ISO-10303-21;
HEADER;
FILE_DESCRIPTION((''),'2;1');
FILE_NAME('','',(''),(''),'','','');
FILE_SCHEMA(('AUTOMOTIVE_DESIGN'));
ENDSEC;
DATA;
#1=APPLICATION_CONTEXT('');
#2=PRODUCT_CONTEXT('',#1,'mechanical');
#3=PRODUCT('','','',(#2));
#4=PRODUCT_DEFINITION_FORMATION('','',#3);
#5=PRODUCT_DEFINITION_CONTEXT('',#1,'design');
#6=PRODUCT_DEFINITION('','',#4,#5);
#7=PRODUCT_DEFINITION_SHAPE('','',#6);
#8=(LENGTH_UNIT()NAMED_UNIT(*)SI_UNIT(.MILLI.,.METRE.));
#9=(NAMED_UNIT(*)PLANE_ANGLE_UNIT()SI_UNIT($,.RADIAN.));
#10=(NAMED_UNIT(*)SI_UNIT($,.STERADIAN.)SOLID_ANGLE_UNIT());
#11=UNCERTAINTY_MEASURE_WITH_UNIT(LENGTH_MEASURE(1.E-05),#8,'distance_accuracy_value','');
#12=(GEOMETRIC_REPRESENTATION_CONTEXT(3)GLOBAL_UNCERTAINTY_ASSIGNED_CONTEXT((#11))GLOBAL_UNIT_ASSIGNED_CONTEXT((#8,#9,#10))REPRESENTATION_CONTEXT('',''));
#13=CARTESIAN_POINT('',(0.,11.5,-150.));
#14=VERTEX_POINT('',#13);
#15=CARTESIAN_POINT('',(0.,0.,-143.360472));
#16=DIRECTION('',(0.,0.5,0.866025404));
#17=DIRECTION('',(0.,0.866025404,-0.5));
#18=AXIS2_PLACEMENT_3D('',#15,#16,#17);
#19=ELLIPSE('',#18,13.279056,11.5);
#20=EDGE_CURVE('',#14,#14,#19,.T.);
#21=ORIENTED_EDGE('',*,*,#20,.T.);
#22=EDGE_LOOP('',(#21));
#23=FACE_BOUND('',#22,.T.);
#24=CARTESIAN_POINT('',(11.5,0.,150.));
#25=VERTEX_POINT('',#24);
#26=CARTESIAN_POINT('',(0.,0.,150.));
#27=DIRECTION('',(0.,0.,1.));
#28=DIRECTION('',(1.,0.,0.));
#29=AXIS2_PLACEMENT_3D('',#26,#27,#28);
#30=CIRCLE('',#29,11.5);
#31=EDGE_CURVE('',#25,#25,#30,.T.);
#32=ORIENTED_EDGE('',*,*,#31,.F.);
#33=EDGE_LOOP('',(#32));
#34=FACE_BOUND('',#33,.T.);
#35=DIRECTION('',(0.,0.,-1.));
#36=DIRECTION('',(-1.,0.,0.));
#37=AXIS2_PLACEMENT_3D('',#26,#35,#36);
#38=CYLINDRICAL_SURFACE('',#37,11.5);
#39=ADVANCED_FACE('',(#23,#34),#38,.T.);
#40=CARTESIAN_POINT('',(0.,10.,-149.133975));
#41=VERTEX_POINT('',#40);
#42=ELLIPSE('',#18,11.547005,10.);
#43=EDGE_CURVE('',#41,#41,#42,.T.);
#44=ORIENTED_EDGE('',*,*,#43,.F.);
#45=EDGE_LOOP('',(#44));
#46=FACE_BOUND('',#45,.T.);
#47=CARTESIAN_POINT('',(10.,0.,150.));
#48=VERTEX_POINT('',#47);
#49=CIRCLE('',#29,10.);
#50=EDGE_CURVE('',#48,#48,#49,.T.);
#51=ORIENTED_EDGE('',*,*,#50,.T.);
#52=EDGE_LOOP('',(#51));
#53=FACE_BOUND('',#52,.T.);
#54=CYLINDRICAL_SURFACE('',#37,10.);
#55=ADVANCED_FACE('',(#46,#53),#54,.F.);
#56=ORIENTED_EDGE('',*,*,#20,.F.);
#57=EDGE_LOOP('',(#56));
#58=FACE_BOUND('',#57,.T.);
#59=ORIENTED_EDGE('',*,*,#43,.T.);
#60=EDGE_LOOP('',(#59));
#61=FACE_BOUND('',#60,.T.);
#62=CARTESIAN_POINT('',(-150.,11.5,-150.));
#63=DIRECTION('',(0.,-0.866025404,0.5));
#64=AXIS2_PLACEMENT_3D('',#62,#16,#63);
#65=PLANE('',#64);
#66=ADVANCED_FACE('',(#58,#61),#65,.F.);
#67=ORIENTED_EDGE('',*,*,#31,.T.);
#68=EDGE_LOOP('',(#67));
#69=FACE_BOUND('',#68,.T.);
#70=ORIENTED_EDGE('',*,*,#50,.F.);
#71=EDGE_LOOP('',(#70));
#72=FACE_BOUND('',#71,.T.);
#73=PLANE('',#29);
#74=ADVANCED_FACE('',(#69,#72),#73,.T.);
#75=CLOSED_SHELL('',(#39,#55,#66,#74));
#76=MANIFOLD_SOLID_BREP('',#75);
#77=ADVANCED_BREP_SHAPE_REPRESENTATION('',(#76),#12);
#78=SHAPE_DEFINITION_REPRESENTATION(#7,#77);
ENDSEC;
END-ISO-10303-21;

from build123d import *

# Parameters (mm, degrees)
SKETCH1_R           = 11.5
SKETCH1_R_2         = 10
BOSS_EXTRUDE1_DEPTH = 150
CUT_EXTRUDE1_DEPTH  = 150


with BuildPart() as part:
    # Sketch1 → Boss-Extrude1 (new, symmetric)
    with BuildSketch(Plane.XY):
        Circle(SKETCH1_R)
        Circle(SKETCH1_R_2, mode=Mode.SUBTRACT)
    extrude(amount=BOSS_EXTRUDE1_DEPTH, both=True)

    # Sketch2 → Cut-Extrude1 (cut, symmetric)
    with BuildSketch(Plane(origin=(0, 0, 0), x_dir=(0, 0, -1), z_dir=(1, 0, 0))):
        Polygon((150, 11.5), (136.720943809, -11.5), (150, -11.5), align=None)
    extrude(amount=CUT_EXTRUDE1_DEPTH, both=True, mode=Mode.SUBTRACT)


solid = part.part
